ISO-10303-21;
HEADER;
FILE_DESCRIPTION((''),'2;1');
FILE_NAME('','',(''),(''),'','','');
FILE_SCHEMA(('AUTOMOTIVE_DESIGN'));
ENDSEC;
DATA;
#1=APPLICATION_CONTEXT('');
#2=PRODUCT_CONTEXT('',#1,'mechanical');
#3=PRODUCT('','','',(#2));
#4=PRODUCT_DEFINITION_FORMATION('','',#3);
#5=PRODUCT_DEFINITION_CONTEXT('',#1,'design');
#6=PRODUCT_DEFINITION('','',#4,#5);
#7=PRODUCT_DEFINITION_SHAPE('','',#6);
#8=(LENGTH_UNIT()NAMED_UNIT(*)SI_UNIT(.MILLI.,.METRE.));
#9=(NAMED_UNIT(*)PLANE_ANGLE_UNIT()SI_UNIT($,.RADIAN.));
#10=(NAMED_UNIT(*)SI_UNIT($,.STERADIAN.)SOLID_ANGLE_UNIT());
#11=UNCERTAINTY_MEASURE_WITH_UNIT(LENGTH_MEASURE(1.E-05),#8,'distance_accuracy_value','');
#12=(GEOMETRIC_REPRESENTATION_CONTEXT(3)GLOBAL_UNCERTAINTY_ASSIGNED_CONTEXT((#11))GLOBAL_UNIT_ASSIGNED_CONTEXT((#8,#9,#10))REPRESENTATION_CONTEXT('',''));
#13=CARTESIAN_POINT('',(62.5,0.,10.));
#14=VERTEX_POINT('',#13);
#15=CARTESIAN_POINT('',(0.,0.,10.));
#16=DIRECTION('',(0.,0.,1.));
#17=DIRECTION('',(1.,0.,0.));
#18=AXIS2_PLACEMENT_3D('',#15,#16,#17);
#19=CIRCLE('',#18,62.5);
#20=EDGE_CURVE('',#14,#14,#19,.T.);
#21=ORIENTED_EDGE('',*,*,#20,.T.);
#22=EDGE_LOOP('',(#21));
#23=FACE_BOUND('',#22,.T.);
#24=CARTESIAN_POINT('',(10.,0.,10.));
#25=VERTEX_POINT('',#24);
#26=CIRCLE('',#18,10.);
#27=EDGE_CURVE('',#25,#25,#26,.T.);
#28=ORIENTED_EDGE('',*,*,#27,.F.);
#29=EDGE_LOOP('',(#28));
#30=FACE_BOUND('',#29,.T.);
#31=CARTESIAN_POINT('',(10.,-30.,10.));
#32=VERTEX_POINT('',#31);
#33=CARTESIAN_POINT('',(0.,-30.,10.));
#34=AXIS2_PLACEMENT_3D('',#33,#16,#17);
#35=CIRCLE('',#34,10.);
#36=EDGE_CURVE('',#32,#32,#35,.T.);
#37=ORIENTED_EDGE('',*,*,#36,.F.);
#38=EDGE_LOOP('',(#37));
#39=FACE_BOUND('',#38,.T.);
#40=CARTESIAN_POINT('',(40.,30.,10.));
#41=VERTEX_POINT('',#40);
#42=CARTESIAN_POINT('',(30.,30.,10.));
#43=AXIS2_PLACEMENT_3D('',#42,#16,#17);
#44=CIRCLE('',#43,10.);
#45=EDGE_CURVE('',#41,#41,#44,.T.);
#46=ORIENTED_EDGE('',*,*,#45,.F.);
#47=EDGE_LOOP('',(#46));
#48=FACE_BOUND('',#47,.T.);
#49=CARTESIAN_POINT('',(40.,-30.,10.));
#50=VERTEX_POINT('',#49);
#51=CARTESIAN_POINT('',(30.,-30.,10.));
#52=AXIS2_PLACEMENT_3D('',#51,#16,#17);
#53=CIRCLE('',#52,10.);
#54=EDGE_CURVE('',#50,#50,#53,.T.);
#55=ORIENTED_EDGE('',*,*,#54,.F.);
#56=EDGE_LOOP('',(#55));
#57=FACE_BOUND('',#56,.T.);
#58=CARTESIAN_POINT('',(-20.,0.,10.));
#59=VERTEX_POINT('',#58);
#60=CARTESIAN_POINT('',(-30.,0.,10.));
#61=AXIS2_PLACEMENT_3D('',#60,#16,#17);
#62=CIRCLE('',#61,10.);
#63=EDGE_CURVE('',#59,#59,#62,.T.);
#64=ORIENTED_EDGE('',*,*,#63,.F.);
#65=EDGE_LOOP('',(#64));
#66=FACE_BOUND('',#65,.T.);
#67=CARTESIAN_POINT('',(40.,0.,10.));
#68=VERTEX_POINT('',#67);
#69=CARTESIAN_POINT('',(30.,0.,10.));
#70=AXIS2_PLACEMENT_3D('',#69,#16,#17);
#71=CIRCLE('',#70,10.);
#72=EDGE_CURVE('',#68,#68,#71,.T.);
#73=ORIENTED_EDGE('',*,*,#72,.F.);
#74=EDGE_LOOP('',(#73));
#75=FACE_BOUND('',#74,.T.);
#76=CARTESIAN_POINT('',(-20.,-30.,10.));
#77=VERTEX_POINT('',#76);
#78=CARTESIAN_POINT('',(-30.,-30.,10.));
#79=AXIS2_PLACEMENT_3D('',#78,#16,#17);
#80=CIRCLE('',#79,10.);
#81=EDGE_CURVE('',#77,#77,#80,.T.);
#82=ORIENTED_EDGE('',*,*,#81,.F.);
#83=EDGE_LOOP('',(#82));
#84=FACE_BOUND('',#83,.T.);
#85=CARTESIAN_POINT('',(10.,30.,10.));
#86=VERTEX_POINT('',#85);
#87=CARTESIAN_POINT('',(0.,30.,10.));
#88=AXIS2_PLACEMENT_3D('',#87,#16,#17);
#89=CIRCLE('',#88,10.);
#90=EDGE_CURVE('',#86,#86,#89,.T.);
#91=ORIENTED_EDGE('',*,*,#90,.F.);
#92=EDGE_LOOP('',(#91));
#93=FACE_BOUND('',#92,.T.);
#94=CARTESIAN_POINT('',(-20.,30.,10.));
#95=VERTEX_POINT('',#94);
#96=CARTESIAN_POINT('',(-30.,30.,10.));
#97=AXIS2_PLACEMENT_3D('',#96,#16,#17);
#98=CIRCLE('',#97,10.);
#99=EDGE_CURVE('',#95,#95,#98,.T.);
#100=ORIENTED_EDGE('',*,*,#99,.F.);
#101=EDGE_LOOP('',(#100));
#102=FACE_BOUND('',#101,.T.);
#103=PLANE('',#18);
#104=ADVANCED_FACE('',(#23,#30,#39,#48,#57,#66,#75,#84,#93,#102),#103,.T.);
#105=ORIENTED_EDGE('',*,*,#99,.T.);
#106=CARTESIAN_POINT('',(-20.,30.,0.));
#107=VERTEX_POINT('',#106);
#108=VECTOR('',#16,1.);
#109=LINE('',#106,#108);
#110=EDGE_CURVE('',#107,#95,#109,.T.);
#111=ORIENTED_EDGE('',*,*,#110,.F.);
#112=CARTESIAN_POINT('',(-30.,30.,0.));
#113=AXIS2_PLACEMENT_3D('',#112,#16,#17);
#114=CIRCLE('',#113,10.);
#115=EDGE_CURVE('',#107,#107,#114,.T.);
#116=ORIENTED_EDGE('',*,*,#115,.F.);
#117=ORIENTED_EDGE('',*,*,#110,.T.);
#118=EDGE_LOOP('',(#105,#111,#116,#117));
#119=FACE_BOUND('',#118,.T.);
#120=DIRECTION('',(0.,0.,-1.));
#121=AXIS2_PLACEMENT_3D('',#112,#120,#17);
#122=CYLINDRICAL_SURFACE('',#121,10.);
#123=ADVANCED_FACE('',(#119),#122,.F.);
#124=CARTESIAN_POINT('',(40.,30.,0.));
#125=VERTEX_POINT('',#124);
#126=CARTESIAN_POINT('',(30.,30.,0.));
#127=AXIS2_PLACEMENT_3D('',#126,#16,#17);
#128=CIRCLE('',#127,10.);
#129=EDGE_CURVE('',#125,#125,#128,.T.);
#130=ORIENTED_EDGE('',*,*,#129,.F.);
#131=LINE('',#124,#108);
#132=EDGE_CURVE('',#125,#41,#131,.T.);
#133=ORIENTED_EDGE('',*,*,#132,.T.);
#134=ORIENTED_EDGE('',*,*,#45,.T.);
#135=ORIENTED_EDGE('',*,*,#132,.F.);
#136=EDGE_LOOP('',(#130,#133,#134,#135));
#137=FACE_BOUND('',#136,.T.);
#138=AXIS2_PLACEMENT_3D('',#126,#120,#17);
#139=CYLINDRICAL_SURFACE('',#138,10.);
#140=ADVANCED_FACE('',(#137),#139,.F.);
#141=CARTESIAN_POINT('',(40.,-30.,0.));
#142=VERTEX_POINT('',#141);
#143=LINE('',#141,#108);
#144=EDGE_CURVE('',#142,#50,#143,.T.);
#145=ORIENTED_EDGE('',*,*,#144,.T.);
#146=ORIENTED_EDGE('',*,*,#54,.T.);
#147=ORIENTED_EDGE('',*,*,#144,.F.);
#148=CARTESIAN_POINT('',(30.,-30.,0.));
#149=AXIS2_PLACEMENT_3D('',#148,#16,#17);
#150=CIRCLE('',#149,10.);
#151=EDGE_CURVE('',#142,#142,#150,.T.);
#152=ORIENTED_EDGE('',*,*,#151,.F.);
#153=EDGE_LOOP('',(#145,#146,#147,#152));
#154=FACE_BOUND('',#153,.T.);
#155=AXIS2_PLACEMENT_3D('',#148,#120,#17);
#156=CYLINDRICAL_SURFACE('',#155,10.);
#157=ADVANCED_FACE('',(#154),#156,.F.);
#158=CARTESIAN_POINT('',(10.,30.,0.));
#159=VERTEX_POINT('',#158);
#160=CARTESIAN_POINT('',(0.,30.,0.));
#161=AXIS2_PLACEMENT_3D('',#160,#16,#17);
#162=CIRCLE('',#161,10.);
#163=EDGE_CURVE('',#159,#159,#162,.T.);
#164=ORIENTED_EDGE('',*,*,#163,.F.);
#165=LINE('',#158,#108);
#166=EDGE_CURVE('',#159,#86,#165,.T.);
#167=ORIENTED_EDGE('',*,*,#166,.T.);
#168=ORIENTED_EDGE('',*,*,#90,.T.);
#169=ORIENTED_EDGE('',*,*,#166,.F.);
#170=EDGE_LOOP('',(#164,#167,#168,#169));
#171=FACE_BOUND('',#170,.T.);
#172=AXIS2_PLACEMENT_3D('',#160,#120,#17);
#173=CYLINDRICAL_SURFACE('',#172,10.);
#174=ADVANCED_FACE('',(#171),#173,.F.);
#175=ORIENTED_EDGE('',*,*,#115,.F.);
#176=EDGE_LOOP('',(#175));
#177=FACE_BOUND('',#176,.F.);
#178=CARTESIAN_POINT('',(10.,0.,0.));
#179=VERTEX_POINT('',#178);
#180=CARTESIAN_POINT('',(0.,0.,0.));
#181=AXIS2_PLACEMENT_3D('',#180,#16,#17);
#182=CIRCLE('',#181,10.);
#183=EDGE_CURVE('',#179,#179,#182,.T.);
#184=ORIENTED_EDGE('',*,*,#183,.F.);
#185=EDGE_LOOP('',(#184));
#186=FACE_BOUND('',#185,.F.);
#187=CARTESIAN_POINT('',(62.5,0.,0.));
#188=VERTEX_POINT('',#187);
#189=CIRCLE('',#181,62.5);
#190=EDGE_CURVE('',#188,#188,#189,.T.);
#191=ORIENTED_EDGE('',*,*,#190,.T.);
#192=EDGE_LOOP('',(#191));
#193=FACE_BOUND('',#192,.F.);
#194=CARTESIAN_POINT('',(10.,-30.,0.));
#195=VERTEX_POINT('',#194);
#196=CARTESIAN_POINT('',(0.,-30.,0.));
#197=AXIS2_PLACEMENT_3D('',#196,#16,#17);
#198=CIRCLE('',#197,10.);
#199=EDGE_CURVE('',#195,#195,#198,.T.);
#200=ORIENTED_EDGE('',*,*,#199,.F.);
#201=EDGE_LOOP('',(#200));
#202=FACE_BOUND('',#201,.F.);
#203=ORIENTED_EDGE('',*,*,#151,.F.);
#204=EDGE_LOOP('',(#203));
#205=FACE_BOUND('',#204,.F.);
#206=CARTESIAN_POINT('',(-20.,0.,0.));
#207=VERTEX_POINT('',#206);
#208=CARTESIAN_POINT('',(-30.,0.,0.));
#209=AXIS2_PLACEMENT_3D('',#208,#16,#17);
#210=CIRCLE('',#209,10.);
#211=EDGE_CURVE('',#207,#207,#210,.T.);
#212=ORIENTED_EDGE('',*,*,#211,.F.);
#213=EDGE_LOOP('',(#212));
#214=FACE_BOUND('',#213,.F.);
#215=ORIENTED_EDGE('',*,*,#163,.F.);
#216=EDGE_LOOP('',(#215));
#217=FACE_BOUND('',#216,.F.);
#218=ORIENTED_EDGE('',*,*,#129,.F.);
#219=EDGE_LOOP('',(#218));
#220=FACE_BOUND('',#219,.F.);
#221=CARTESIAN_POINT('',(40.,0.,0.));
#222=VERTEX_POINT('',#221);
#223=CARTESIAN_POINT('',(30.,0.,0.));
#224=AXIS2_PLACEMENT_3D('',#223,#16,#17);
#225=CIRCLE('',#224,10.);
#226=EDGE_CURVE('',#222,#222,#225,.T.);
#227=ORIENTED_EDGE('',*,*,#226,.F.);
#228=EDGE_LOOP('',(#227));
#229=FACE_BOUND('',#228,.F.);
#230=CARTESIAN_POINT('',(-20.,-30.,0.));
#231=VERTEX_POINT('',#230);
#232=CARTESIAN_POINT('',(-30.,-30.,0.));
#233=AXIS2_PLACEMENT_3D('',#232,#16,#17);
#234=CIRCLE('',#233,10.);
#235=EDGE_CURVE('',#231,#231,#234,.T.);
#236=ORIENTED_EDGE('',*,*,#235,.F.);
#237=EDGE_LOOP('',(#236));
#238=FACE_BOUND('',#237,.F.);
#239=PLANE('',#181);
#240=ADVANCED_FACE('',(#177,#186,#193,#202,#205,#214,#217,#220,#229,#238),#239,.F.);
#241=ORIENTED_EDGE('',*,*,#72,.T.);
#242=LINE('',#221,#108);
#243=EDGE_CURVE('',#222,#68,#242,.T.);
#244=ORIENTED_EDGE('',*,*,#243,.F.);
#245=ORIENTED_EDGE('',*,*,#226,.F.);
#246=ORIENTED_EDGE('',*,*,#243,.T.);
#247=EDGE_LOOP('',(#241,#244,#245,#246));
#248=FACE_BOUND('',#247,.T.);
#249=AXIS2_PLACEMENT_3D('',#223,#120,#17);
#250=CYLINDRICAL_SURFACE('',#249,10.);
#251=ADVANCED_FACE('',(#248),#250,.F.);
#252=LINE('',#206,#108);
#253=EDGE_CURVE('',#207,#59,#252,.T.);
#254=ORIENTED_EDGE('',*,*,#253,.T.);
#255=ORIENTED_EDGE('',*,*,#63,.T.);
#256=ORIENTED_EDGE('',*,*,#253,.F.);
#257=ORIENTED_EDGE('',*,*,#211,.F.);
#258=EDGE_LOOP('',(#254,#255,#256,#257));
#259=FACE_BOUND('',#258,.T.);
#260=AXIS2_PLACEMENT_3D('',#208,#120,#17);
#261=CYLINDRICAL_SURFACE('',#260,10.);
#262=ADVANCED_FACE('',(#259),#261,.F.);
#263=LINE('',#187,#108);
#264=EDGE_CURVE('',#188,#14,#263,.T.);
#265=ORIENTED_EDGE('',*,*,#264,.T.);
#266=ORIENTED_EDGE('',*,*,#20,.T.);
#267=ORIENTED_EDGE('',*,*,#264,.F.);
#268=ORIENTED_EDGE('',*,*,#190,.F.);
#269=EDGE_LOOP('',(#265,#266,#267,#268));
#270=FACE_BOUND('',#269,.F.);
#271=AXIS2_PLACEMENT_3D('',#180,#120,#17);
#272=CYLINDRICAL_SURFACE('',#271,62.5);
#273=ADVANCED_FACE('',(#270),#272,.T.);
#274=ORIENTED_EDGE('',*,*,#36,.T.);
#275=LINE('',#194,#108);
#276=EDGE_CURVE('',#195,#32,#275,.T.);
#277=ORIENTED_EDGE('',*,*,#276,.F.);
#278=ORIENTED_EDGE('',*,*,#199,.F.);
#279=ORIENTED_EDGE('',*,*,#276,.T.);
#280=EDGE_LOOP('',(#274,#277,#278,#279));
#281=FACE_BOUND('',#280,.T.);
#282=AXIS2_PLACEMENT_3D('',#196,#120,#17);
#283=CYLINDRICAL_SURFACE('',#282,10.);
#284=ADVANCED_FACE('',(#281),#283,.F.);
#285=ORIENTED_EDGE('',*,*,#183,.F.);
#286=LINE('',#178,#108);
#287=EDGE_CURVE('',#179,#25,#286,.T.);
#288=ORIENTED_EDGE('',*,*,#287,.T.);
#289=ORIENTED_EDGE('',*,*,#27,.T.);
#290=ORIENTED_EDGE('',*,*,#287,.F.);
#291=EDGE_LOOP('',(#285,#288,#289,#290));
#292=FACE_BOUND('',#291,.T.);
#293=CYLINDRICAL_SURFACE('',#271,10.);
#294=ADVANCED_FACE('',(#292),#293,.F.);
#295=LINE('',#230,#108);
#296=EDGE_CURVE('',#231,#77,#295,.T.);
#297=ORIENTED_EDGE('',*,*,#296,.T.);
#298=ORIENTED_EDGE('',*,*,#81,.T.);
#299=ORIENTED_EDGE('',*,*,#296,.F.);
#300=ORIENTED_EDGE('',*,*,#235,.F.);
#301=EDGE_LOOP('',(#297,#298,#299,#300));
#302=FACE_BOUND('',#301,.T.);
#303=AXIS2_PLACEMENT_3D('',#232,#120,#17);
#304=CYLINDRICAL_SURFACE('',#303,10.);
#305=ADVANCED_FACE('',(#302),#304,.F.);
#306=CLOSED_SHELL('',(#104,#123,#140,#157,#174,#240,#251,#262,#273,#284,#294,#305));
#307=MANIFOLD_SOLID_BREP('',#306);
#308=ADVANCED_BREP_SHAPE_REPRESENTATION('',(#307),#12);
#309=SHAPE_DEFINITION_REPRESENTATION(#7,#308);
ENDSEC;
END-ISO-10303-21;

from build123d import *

# Parameters (mm, degrees)
F0_R     = 62.5
F0_R_2   = 10
F1_DEPTH = 10


with BuildPart() as f1:
    # F0 (on Top) → F1 (new body)
    with BuildSketch(Plane.XY):
        Circle(F0_R)
        with Locations((-30, -30)):
            Circle(F0_R_2, mode=Mode.SUBTRACT)
        with Locations((0, -30)):
            Circle(F0_R_2, mode=Mode.SUBTRACT)
        with Locations((30, -30)):
            Circle(F0_R_2, mode=Mode.SUBTRACT)
        with Locations((-30, 0)):
            Circle(F0_R_2, mode=Mode.SUBTRACT)
        with Locations((-30, 30)):
            Circle(F0_R_2, mode=Mode.SUBTRACT)
        Circle(F0_R_2, mode=Mode.SUBTRACT)
        with Locations((30, 0)):
            Circle(F0_R_2, mode=Mode.SUBTRACT)
        with Locations((0, 30)):
            Circle(F0_R_2, mode=Mode.SUBTRACT)
        with Locations((30, 30)):
            Circle(F0_R_2, mode=Mode.SUBTRACT)
    extrude(amount=F1_DEPTH)


solid = f1.part
